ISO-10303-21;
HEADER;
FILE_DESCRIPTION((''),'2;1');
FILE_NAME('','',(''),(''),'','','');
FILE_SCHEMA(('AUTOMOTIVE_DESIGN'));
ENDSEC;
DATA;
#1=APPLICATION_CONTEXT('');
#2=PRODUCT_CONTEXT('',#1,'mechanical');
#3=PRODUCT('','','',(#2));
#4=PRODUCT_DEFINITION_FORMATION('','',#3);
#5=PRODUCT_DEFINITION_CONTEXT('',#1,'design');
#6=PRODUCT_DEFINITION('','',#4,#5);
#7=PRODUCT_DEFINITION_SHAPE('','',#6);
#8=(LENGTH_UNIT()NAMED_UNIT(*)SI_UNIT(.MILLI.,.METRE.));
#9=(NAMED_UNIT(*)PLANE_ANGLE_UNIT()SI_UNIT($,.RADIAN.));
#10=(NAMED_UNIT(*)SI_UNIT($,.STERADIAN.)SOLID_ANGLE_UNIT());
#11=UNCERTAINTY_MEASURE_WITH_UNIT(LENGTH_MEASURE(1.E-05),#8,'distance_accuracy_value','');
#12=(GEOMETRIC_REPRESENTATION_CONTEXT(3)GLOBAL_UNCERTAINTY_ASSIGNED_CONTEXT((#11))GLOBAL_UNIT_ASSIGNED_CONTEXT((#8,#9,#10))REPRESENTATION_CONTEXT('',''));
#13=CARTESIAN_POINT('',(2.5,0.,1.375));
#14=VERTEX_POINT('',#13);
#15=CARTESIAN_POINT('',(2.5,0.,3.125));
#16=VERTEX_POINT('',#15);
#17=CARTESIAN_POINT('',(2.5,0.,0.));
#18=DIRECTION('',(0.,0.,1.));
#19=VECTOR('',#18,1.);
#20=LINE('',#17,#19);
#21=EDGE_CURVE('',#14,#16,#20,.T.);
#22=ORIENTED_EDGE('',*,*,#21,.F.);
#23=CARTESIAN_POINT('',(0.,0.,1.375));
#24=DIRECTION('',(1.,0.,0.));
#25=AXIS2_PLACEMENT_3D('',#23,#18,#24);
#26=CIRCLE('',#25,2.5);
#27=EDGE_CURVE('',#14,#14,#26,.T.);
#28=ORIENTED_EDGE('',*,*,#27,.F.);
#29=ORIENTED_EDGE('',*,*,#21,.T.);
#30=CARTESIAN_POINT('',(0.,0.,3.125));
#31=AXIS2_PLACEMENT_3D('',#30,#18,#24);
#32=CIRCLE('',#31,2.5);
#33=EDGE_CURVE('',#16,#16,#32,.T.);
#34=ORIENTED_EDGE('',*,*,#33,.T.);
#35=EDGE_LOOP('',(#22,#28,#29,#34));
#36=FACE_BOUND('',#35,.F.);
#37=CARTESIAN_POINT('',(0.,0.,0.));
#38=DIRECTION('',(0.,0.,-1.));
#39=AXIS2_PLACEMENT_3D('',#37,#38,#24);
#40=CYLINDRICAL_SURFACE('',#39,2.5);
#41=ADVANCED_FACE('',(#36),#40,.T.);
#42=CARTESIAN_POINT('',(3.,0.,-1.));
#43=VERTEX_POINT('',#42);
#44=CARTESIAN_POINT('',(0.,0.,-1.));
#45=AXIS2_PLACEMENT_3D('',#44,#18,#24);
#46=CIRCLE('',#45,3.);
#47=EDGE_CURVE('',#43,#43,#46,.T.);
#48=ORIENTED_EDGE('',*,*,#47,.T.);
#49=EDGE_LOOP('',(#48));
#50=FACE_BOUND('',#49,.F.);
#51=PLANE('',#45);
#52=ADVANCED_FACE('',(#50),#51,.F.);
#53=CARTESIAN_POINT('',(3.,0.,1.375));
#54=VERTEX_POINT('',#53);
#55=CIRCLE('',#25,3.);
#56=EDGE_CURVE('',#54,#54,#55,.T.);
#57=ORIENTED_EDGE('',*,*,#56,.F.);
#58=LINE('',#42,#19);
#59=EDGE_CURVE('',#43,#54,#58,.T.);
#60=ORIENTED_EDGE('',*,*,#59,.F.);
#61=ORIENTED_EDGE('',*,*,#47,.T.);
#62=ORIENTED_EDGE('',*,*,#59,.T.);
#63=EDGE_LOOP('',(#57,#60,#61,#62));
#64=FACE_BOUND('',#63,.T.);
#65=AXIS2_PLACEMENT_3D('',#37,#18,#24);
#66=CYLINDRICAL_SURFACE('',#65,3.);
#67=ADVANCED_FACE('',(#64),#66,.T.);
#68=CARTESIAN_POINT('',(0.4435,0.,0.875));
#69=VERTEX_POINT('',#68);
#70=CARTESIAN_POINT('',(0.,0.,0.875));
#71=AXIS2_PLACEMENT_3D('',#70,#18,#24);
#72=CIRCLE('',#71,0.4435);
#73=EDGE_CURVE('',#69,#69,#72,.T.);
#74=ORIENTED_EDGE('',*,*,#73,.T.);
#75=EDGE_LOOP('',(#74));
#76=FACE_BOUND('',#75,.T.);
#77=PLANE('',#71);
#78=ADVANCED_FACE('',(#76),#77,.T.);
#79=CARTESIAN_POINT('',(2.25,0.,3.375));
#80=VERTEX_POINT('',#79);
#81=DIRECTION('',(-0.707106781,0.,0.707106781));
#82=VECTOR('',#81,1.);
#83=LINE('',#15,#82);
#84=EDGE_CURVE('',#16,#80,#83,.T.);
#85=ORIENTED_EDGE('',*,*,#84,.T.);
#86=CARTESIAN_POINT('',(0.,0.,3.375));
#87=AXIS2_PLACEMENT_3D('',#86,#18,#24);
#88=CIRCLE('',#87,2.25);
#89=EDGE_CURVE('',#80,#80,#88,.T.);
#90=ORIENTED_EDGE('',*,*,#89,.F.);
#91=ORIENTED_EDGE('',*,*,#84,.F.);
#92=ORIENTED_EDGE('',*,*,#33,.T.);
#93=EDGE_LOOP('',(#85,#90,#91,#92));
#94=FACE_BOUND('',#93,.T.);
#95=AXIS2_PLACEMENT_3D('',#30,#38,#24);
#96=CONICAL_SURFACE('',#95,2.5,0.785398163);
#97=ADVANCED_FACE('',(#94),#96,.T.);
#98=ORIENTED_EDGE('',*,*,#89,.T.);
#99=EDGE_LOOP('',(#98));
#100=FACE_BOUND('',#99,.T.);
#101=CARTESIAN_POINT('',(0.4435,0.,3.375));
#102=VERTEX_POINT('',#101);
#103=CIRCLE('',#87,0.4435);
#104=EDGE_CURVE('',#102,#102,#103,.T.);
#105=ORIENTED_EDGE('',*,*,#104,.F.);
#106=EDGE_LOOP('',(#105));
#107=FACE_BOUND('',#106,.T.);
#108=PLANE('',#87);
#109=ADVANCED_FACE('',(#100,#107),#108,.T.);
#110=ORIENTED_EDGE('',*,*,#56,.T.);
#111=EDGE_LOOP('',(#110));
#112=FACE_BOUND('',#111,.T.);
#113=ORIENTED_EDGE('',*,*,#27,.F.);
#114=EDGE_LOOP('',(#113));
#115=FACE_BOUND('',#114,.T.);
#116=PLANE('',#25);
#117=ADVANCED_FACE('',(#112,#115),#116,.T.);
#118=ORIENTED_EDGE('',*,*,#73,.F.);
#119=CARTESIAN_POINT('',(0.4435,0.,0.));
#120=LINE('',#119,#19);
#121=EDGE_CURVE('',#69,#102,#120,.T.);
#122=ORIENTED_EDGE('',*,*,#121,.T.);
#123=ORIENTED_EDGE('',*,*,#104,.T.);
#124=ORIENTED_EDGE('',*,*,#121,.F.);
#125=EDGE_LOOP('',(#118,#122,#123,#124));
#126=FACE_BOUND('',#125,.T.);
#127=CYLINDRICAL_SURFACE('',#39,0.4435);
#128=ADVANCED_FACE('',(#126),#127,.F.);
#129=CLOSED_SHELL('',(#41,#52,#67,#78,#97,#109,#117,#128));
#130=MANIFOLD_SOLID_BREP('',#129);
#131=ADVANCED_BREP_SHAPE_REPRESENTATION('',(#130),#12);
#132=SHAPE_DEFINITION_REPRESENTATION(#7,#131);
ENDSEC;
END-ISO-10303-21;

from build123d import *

# Parameters (mm, degrees)
F0_R     = 2.5
F0_R_2   = 0.4435
F1_DEPTH = 3.375
F0_R_3   = 3
F2_DEPTH = 1.375
F3_DEPTH = 0.875
F4_SIZE  = 0.25
F5_DEPTH = 1


with BuildPart() as f1:
    # F0 (on Top) → F1 (new body)
    with BuildSketch(Plane.XY):
        Circle(F0_R)
        Circle(F0_R_2, mode=Mode.SUBTRACT)
    extrude(amount=F1_DEPTH)

    # F0 (on Top) → F2 (join)
    with BuildSketch(Plane.XY):
        Circle(F0_R_3)
        Circle(F0_R, mode=Mode.SUBTRACT)
    extrude(amount=F2_DEPTH)

    # F0 (on Top) → F3 (join)
    with BuildSketch(Plane.XY):
        Circle(F0_R_2)
    extrude(amount=F3_DEPTH)

    # F4
    f4_edges = [f1.edges().sort_by_distance(p)[0] for p in [
        (-2.5, 0, 3.375),
    ]]
    chamfer(f4_edges, length=F4_SIZE)

    # F0 (on Top) → F5 (join)
    with BuildSketch(Plane.XY):
        Circle(F0_R_3)
        Circle(F0_R, mode=Mode.SUBTRACT)
        Circle(F0_R)
        Circle(F0_R_2, mode=Mode.SUBTRACT)
        Circle(F0_R_2)
    extrude(amount=-F5_DEPTH)

    # F6 (on Right) → F7 (revolve, cut)
    with BuildSketch(Plane.YZ):
        Polygon((-6.6943974234, 0.9619678603), (-6.6943974234, 0), (-3.1168663409, 0.9619678603), align=None)
    revolve(axis=Axis((0, 0, 0.9346584557), (0, 0, 1)), mode=Mode.SUBTRACT)


solid = f1.part
